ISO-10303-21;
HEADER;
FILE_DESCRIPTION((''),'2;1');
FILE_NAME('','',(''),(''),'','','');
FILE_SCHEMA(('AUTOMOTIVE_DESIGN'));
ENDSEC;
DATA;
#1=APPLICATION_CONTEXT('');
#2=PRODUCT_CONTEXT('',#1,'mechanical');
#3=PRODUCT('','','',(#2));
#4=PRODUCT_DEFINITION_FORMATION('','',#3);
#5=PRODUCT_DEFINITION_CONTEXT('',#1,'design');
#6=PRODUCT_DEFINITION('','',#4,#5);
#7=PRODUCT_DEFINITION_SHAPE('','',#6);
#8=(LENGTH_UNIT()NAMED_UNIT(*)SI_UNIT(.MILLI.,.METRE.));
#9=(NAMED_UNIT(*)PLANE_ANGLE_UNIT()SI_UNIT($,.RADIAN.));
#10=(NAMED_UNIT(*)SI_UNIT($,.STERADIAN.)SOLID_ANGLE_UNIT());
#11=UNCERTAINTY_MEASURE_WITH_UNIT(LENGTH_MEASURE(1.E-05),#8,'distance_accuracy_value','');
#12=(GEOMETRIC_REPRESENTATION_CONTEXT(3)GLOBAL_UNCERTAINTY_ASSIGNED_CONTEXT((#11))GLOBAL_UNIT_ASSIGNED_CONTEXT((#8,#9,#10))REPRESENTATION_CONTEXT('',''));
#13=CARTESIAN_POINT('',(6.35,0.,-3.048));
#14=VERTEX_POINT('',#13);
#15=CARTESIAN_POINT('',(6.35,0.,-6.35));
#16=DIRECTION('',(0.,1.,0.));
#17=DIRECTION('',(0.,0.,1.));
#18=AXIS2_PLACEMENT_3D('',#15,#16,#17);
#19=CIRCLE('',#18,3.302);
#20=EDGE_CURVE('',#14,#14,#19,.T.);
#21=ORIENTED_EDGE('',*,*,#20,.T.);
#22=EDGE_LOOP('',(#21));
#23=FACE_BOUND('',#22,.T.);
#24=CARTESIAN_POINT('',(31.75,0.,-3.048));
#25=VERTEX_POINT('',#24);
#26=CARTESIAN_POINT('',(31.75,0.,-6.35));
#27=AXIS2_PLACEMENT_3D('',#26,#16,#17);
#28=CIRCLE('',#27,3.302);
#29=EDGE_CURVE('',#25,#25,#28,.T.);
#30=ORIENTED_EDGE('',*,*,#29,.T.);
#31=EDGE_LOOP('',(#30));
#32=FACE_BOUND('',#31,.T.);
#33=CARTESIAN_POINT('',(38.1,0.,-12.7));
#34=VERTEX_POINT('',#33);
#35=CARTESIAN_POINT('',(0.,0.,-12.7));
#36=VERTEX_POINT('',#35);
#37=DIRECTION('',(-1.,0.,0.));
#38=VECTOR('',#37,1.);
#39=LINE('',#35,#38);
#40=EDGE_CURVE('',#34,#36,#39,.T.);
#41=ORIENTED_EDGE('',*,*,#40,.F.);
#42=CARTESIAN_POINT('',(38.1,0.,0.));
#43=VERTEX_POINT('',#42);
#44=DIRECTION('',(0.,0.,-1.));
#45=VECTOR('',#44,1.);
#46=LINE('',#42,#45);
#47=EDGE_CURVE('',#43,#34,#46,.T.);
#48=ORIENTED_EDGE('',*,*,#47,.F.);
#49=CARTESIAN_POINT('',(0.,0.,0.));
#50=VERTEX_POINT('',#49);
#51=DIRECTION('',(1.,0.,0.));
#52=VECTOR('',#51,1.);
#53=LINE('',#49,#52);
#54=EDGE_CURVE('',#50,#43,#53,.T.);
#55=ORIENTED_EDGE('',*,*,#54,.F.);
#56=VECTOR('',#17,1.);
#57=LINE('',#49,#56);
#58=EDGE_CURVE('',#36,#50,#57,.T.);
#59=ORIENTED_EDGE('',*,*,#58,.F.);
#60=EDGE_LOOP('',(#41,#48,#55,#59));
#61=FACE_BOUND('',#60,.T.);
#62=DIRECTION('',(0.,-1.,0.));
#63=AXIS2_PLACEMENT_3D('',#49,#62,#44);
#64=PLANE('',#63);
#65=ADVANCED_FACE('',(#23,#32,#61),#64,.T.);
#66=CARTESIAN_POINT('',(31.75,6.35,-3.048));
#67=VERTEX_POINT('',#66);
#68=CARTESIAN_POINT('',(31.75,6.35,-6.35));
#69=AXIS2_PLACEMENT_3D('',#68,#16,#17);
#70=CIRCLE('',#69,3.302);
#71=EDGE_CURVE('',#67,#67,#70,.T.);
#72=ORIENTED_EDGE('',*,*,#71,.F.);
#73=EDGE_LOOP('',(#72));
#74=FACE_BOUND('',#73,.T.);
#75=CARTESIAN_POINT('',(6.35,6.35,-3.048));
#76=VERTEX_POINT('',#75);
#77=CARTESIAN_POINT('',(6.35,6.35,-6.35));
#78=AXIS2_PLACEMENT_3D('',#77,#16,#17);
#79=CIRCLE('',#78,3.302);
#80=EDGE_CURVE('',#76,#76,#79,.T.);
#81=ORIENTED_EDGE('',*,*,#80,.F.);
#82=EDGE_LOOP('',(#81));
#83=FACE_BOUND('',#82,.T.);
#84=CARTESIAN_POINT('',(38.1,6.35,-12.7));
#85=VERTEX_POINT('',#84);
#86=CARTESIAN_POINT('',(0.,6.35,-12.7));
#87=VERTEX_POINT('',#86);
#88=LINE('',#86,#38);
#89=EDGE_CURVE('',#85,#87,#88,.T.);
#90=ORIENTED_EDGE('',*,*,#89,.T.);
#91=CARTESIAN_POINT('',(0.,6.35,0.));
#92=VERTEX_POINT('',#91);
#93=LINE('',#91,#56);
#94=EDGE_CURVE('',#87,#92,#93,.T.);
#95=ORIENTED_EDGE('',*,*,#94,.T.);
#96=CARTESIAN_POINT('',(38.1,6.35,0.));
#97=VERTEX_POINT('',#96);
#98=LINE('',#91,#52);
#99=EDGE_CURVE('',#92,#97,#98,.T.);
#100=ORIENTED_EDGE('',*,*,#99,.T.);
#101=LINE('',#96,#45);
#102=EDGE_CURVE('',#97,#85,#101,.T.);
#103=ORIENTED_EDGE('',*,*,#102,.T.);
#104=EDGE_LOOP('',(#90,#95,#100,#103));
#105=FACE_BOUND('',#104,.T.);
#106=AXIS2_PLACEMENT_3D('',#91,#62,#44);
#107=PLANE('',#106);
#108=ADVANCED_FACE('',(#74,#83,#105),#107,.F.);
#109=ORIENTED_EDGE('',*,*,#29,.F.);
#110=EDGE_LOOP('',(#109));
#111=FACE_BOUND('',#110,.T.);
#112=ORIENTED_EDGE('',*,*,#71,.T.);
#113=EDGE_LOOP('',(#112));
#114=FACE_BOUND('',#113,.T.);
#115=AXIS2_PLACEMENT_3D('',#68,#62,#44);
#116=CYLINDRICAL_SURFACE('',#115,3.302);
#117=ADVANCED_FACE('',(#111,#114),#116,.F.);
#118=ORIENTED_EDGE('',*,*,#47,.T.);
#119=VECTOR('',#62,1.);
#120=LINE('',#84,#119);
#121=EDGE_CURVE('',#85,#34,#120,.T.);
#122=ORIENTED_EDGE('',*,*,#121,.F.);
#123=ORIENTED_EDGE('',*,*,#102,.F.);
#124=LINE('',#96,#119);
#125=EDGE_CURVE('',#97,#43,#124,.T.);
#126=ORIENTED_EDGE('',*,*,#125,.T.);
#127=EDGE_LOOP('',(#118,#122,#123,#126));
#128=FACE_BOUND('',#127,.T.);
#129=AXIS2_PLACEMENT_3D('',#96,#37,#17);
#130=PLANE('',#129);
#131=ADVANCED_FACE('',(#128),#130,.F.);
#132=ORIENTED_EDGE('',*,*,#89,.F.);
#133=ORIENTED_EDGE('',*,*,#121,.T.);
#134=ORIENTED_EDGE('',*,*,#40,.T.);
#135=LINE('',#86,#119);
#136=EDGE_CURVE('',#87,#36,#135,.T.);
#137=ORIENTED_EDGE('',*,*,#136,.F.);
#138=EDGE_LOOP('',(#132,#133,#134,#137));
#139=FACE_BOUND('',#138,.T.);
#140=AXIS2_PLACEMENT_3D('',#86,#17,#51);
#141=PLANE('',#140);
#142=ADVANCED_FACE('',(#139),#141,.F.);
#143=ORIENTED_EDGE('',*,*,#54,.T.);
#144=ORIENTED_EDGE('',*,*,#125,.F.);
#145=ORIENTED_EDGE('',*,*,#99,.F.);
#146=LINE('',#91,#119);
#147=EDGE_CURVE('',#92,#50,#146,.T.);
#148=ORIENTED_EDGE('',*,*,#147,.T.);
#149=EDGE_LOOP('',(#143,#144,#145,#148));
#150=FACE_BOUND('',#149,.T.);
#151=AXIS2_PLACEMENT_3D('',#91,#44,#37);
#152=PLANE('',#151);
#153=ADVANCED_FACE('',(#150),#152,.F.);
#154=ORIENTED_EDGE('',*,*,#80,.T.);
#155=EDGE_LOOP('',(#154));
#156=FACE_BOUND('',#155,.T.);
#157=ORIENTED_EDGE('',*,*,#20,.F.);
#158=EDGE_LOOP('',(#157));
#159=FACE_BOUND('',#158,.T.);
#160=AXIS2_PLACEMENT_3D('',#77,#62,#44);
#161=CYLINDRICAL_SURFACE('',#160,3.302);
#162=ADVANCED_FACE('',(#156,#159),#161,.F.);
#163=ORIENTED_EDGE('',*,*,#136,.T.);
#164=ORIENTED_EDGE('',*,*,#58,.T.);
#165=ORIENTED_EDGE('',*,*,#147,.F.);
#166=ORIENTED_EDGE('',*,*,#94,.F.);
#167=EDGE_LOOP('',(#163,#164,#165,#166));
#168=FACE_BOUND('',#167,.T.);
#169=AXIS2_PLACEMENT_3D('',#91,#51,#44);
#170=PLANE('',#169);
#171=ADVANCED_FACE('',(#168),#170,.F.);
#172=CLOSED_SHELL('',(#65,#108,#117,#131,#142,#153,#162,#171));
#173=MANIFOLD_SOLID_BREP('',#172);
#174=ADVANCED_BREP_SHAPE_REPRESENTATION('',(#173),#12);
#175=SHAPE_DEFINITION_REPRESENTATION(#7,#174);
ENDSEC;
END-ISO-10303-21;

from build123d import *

# Parameters (mm, degrees)
SKETCH1_W           = 38.1
SKETCH1_H           = 12.7
SKETCH1_R           = 3.302
BOSS_EXTRUDE1_DEPTH = 6.35


with BuildPart() as part:
    # Sketch1 → Boss-Extrude1 (new body)
    with BuildSketch(Plane(origin=(0, 0, 0), x_dir=(1, 0, 0), z_dir=(0, 1, 0))):
        with Locations((19.05, 6.35)):
            Rectangle(SKETCH1_W, SKETCH1_H)
        with Locations((6.35, 6.35)):
            Circle(SKETCH1_R, mode=Mode.SUBTRACT)
        with Locations((31.75, 6.35)):
            Circle(SKETCH1_R, mode=Mode.SUBTRACT)
    extrude(amount=BOSS_EXTRUDE1_DEPTH)


solid = part.part
